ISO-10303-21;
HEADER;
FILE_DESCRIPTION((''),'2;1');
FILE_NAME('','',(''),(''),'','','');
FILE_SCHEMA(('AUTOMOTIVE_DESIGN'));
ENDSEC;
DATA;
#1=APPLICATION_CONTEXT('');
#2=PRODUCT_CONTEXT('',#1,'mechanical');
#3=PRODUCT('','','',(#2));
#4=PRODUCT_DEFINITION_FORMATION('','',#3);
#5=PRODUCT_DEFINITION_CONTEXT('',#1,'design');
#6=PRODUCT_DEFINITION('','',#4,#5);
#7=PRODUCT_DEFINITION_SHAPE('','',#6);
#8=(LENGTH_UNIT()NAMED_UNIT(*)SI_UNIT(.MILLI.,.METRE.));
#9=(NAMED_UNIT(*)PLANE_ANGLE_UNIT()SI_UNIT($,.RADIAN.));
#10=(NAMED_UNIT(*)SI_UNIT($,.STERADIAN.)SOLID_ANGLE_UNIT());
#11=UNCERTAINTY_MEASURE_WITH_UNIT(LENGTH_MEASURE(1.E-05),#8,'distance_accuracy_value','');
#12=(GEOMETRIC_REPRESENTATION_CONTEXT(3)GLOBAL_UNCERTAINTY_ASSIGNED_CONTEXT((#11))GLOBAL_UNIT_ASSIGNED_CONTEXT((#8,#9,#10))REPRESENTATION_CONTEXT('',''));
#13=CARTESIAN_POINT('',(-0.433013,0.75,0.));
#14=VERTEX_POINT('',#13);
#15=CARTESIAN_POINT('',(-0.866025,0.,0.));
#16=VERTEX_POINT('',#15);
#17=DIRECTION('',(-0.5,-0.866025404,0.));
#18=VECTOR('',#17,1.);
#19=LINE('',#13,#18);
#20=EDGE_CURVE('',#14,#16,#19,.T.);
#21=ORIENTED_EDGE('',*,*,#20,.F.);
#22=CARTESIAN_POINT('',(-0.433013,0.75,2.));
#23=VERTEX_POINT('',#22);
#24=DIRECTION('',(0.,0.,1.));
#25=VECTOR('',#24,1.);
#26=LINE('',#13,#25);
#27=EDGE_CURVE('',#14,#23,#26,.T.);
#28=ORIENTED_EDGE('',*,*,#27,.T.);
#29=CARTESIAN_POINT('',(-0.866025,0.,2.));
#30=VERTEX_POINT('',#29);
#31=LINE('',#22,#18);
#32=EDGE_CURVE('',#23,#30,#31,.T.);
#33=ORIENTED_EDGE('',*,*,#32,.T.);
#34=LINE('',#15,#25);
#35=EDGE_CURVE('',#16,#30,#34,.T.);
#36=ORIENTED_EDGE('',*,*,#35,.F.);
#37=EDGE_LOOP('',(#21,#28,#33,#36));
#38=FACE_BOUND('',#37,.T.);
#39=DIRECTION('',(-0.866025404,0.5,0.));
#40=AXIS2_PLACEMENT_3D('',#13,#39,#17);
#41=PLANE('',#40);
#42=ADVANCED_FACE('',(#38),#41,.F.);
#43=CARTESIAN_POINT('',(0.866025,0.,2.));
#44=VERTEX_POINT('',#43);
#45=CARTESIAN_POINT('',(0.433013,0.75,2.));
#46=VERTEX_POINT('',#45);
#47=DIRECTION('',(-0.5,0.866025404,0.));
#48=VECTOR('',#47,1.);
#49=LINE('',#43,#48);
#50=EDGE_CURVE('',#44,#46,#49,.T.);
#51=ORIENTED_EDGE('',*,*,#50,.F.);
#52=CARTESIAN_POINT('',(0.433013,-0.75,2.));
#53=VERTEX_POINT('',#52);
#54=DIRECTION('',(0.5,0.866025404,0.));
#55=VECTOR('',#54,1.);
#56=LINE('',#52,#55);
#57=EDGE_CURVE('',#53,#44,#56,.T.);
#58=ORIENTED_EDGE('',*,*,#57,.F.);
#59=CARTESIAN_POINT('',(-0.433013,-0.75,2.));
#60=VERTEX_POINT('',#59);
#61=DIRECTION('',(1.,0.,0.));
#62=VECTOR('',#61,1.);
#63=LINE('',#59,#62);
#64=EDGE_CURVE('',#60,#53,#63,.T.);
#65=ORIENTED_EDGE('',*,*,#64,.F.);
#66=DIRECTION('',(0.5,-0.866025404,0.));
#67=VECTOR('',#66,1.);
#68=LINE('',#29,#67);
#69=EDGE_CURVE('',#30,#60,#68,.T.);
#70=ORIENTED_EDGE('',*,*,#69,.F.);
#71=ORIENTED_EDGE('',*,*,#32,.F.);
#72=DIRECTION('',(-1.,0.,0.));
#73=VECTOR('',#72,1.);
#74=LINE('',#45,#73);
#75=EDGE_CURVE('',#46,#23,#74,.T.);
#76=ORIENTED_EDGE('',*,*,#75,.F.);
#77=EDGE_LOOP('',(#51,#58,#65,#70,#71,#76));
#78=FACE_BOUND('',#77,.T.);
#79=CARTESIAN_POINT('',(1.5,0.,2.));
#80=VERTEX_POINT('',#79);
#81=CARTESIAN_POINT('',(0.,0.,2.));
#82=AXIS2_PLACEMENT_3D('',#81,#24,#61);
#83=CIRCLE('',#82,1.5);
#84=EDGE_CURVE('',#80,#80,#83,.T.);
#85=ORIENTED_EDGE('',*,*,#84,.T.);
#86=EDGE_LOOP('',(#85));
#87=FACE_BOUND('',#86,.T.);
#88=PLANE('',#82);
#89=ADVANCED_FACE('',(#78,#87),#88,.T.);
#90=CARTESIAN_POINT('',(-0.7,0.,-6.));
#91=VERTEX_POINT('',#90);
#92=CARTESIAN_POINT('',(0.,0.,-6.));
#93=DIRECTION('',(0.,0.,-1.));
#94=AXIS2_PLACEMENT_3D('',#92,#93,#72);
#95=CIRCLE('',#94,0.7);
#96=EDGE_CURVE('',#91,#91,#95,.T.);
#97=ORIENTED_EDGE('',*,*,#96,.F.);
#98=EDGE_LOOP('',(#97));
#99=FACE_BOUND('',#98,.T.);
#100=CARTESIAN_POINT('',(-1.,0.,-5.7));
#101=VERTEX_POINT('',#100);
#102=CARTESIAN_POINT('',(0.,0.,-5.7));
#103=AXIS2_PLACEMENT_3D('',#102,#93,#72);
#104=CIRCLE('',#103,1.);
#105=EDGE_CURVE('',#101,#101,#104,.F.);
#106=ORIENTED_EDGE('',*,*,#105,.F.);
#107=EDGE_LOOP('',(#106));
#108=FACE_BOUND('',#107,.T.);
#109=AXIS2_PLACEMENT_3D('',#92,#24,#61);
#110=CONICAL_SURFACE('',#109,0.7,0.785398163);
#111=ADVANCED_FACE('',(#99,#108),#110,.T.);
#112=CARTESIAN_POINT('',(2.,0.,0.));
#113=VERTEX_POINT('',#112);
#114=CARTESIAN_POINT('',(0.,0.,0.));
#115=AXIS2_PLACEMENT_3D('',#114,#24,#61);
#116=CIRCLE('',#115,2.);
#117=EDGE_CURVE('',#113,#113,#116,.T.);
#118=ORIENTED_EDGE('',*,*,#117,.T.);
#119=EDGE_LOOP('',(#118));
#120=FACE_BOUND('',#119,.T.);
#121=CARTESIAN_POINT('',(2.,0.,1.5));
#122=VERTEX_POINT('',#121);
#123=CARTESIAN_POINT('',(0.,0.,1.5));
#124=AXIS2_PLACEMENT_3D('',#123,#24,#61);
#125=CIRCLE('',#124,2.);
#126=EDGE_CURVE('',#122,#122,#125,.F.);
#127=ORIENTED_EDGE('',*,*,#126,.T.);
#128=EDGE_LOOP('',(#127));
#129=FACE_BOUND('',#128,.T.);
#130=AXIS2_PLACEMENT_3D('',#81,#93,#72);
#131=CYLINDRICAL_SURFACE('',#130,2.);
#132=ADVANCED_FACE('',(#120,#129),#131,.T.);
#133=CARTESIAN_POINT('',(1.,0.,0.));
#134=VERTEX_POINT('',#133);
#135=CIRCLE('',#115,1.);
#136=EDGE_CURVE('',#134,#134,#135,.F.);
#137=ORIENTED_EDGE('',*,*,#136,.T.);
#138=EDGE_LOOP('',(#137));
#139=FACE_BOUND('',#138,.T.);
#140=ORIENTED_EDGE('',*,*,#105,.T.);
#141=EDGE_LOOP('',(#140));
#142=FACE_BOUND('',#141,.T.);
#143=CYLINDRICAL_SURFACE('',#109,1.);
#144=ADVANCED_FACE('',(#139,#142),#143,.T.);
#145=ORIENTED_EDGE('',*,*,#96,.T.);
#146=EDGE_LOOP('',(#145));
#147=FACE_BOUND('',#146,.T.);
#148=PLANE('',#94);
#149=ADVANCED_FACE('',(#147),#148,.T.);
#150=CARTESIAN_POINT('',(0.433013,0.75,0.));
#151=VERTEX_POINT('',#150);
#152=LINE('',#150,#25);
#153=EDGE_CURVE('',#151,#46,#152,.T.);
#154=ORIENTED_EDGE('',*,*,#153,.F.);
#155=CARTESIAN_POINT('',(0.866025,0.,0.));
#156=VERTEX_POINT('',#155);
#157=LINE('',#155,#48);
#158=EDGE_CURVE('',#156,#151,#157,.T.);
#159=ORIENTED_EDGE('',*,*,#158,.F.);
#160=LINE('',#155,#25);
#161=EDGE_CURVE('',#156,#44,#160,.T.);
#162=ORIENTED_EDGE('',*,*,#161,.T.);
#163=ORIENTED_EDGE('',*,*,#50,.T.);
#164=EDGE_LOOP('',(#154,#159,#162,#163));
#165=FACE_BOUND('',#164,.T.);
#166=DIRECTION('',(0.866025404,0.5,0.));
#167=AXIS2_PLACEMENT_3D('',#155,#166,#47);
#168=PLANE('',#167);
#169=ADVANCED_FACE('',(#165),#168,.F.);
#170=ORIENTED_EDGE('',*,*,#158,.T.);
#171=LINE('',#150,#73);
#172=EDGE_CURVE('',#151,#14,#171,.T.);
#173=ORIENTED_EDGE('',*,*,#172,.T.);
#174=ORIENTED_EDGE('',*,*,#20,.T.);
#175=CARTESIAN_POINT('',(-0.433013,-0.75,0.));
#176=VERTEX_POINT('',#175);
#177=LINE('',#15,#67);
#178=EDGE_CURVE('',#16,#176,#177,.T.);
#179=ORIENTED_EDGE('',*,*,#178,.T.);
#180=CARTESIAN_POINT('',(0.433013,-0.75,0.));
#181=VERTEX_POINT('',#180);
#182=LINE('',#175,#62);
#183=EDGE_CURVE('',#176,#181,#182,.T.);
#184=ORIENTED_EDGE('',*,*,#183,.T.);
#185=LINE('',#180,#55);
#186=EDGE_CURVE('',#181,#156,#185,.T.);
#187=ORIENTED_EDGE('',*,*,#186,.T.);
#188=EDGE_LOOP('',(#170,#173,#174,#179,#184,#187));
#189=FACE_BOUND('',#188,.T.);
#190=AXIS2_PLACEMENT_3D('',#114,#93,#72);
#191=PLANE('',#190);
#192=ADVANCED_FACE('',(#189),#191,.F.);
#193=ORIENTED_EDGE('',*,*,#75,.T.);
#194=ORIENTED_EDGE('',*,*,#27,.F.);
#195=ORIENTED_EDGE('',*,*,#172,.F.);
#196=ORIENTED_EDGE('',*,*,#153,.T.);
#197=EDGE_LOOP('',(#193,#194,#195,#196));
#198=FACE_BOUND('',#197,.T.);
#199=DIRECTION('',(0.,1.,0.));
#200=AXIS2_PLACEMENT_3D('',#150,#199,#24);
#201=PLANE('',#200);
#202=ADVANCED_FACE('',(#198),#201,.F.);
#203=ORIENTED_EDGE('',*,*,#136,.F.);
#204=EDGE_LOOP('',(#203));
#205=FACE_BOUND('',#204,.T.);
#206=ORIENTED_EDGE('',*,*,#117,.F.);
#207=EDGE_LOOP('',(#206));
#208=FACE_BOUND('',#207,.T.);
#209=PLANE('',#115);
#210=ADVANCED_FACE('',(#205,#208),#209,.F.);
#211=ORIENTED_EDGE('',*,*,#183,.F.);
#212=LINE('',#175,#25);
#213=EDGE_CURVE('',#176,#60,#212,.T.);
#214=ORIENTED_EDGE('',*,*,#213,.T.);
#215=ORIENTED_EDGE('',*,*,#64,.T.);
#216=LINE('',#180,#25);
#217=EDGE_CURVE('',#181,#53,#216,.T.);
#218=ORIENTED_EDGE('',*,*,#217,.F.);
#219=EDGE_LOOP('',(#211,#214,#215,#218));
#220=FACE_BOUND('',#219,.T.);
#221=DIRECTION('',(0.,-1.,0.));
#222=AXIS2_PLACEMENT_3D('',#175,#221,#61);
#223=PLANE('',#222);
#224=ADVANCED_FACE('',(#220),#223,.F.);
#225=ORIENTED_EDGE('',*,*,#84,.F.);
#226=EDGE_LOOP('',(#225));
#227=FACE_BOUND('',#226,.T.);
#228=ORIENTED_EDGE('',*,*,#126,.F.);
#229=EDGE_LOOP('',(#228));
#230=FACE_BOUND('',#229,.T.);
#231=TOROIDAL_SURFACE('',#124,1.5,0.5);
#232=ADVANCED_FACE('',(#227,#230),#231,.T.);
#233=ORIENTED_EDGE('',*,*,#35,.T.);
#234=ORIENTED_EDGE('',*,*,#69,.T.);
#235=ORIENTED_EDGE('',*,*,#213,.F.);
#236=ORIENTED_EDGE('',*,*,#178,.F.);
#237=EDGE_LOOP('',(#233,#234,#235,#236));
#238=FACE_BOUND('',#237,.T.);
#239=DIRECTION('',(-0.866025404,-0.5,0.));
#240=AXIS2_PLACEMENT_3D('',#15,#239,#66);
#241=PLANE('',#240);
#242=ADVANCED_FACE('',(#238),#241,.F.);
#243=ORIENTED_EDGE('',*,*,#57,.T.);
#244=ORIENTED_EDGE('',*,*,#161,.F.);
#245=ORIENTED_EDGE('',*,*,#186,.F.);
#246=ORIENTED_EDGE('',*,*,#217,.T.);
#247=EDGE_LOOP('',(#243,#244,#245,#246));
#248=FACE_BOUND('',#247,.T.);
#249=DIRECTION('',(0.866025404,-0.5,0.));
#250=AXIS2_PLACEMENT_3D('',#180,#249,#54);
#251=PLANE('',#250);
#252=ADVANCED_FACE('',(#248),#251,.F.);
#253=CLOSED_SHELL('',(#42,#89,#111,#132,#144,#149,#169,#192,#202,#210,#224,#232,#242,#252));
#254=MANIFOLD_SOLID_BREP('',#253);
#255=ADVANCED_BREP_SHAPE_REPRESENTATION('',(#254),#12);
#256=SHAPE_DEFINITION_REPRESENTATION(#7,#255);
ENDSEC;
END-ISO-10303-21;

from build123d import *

# Parameters (mm, degrees)
SKICA1_R                 = 2
P_IDAT_VYSUNUT_M1_DEPTH  = 2
ODEBRAT_VYSUNUT_M1_DEPTH = 2
SKICA2_R                 = 1
P_IDAT_VYSUNUT_M2_DEPTH  = 6
ZKOSEN_1_SIZE            = 0.3
ZAOBLIT1_R               = 0.5


with BuildPart() as part:
    # Skica1 → Přidat vysunutím1 (new body)
    with BuildSketch(Plane.XY):
        Circle(SKICA1_R)
    extrude(amount=P_IDAT_VYSUNUT_M1_DEPTH)

    # Skica4 → Odebrat vysunutím1 (cut)
    with BuildSketch(Plane.XY.offset(2)):
        Polygon((-0.866025404, 0), (-0.433012702, -0.75), (0.433012702, -0.75), (0.866025404, 0), (0.433012702, 0.75), (-0.433012702, 0.75), align=None)
    extrude(amount=-ODEBRAT_VYSUNUT_M1_DEPTH, mode=Mode.SUBTRACT)

    # Skica2 → Přidat vysunutím2 (add)
    with BuildSketch(Plane(origin=(0, 0, 0), x_dir=(-1, 0, 0), z_dir=(0, 0, -1))):
        Circle(SKICA2_R)
    extrude(amount=P_IDAT_VYSUNUT_M2_DEPTH)

    # Zkosení1
    zkosen_1_edges = [part.edges().sort_by_distance(p)[0] for p in [
        (1, 0, -6),
    ]]
    chamfer(zkosen_1_edges, length=ZKOSEN_1_SIZE)

    # Zaoblit1
    zaoblit1_edges = [part.edges().sort_by_distance(p)[0] for p in [
        (-2, 0, 2),
    ]]
    fillet(zaoblit1_edges, radius=ZAOBLIT1_R)


solid = part.part
